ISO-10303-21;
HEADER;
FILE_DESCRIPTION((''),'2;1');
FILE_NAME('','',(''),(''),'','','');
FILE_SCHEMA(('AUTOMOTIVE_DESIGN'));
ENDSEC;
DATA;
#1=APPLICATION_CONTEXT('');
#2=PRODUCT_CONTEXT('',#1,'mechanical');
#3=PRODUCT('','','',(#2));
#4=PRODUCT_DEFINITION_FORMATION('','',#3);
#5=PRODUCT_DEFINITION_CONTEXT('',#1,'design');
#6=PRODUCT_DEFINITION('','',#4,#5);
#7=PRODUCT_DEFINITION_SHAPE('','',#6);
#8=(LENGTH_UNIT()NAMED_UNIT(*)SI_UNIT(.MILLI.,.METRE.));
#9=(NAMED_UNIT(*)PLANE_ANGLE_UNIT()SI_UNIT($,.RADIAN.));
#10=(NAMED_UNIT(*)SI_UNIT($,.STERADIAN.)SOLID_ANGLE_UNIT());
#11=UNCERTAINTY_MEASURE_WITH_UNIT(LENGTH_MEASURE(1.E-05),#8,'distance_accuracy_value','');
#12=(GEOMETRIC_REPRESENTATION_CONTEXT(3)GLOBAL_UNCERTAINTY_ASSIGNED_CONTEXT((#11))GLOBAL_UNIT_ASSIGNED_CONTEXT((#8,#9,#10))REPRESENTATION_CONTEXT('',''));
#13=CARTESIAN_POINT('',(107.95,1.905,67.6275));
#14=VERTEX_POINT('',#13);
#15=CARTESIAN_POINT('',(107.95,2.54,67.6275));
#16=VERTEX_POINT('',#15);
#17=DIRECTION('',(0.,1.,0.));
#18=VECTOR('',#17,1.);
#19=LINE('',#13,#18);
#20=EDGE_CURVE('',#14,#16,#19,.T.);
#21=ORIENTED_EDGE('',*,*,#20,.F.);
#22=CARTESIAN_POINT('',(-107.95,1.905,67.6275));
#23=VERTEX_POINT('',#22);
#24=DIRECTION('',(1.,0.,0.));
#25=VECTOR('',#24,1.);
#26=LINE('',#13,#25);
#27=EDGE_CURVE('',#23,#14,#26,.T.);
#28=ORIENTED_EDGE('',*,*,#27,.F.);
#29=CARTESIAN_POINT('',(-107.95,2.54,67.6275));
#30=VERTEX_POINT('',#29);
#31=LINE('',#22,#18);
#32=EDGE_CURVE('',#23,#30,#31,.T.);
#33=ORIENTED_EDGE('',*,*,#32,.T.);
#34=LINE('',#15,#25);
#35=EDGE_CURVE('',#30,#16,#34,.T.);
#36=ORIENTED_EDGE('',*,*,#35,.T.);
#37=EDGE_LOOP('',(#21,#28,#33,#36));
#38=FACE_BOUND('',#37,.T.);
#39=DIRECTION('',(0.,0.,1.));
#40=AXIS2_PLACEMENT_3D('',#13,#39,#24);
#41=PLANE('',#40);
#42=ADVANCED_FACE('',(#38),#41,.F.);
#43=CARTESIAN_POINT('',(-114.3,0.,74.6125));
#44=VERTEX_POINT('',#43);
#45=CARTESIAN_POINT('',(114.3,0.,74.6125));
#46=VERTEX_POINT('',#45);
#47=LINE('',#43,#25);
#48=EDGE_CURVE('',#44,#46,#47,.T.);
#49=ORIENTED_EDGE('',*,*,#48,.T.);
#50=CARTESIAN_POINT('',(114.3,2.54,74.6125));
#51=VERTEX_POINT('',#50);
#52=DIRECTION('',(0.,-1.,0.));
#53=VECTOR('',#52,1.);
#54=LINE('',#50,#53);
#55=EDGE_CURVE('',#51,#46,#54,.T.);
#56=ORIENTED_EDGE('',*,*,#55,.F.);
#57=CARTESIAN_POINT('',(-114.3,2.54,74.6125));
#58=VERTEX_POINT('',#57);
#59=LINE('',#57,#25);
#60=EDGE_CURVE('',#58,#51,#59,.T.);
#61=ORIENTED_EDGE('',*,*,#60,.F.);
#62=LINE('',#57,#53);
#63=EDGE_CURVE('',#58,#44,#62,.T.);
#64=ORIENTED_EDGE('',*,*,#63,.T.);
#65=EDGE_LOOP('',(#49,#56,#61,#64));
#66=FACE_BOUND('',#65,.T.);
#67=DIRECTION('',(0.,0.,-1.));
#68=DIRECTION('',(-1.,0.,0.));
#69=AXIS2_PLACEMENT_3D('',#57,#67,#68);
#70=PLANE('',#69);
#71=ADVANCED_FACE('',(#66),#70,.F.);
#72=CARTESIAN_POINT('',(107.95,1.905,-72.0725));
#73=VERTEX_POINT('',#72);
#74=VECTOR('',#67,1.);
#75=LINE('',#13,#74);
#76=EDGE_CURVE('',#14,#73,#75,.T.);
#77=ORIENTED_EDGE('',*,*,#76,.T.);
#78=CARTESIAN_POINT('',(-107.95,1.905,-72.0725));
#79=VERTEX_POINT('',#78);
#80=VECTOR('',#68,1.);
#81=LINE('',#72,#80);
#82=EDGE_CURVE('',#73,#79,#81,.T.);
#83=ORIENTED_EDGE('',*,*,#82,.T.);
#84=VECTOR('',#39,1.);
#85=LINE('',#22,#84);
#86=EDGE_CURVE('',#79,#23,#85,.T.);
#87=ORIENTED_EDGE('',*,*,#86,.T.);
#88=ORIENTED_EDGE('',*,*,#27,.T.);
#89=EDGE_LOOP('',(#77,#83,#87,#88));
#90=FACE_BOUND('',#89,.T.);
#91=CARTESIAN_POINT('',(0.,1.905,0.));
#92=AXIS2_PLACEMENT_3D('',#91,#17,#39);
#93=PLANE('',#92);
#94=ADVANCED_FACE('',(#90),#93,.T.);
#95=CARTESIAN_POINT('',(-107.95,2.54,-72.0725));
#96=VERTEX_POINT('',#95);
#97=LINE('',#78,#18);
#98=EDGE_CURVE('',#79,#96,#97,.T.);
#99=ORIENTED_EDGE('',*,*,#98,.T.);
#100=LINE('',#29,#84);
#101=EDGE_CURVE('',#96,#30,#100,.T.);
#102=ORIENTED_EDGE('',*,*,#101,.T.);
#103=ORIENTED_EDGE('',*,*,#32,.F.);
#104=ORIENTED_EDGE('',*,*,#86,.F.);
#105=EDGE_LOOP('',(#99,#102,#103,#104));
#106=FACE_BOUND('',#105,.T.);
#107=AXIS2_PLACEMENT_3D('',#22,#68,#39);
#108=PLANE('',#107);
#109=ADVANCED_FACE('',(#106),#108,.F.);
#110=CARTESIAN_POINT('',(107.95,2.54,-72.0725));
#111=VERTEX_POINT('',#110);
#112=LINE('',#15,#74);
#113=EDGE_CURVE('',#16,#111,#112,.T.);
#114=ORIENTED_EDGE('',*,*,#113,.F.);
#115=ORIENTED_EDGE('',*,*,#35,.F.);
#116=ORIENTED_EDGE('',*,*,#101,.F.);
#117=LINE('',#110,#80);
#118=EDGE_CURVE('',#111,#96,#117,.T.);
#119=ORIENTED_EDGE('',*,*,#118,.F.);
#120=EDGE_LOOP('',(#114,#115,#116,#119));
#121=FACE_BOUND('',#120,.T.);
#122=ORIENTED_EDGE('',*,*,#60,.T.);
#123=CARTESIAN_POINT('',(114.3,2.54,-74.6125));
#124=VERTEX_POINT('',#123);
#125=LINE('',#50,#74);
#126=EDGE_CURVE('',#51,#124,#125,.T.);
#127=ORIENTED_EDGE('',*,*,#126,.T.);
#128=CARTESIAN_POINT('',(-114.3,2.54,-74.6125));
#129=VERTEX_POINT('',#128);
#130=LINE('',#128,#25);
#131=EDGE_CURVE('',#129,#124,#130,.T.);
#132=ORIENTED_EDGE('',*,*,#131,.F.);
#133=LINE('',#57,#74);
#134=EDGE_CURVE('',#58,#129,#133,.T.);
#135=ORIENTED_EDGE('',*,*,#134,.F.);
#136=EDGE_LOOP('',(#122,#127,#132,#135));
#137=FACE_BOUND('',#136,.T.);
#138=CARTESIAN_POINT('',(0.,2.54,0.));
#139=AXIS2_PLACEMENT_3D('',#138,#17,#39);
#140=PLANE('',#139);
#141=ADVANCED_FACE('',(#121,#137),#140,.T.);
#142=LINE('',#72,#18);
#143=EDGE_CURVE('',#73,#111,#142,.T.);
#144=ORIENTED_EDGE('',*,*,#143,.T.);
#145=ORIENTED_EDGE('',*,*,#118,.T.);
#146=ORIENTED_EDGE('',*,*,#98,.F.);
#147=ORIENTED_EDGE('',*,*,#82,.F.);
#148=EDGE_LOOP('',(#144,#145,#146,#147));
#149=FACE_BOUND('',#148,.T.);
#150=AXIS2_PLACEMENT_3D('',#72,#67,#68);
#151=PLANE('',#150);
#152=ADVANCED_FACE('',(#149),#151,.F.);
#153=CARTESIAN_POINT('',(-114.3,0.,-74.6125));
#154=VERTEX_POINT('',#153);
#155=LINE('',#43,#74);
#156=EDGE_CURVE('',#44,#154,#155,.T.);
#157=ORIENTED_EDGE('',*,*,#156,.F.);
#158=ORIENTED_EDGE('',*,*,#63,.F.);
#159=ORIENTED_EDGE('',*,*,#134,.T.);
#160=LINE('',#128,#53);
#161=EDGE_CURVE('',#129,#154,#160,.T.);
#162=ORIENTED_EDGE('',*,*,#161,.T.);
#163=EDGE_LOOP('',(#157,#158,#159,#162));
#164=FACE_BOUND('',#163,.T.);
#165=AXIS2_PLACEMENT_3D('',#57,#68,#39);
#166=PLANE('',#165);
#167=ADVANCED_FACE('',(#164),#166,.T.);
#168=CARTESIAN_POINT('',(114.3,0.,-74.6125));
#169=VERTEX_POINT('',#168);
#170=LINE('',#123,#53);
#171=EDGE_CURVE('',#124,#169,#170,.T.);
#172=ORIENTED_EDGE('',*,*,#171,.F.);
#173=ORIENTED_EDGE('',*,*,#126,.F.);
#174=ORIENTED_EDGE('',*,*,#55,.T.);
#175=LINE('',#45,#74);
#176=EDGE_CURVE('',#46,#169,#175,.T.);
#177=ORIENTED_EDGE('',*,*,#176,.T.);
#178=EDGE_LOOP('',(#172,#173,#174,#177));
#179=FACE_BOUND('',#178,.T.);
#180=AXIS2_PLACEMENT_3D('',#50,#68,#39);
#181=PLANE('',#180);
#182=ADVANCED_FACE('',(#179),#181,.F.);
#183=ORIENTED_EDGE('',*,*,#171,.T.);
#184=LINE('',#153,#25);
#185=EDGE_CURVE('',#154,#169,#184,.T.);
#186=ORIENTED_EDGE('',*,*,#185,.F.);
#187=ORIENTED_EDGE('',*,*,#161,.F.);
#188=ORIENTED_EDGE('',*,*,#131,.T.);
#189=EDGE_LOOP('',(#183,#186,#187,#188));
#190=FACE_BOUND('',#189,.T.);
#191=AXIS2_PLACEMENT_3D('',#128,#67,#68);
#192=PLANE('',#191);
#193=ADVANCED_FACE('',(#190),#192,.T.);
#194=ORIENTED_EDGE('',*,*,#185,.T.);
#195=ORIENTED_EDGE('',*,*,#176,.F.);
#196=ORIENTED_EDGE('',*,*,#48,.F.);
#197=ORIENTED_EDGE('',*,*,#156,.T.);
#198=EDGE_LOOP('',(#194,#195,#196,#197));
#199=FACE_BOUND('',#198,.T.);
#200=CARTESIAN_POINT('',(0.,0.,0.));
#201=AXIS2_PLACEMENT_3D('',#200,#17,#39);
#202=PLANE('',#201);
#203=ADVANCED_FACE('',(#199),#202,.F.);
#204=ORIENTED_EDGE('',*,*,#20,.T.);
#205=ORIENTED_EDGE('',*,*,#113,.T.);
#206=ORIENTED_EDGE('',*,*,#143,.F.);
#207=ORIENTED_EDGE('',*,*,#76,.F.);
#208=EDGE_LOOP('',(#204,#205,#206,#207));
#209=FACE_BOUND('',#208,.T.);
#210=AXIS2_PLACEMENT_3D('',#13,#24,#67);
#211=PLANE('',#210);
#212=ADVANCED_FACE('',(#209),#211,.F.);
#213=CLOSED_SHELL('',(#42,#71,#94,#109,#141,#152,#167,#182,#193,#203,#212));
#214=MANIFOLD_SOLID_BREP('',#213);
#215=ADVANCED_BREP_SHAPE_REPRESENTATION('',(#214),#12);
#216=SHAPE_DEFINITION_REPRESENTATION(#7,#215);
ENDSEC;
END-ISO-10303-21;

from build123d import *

# Parameters (mm, degrees)
SKETCH1_W           = 228.6
SKETCH1_H           = 149.225
BOSS_EXTRUDE1_DEPTH = 2.54
SKETCH2_W           = 215.9
SKETCH2_H           = 139.7
CUT_EXTRUDE1_DEPTH  = 0.635


with BuildPart() as part:
    # Sketch1 → Boss-Extrude1 (new body)
    with BuildSketch(Plane(origin=(0, 0, 0), x_dir=(1, 0, 0), z_dir=(0, 1, 0))):
        Rectangle(SKETCH1_W, SKETCH1_H)
    extrude(amount=BOSS_EXTRUDE1_DEPTH)

    # Sketch2 → Cut-Extrude1 (cut)
    with BuildSketch(Plane(origin=(0, 2.54, 0), x_dir=(1, 0, 0), z_dir=(0, 1, 0))):
        with Locations((0, 2.2225)):
            Rectangle(SKETCH2_W, SKETCH2_H)
    extrude(amount=-CUT_EXTRUDE1_DEPTH, mode=Mode.SUBTRACT)


solid = part.part
